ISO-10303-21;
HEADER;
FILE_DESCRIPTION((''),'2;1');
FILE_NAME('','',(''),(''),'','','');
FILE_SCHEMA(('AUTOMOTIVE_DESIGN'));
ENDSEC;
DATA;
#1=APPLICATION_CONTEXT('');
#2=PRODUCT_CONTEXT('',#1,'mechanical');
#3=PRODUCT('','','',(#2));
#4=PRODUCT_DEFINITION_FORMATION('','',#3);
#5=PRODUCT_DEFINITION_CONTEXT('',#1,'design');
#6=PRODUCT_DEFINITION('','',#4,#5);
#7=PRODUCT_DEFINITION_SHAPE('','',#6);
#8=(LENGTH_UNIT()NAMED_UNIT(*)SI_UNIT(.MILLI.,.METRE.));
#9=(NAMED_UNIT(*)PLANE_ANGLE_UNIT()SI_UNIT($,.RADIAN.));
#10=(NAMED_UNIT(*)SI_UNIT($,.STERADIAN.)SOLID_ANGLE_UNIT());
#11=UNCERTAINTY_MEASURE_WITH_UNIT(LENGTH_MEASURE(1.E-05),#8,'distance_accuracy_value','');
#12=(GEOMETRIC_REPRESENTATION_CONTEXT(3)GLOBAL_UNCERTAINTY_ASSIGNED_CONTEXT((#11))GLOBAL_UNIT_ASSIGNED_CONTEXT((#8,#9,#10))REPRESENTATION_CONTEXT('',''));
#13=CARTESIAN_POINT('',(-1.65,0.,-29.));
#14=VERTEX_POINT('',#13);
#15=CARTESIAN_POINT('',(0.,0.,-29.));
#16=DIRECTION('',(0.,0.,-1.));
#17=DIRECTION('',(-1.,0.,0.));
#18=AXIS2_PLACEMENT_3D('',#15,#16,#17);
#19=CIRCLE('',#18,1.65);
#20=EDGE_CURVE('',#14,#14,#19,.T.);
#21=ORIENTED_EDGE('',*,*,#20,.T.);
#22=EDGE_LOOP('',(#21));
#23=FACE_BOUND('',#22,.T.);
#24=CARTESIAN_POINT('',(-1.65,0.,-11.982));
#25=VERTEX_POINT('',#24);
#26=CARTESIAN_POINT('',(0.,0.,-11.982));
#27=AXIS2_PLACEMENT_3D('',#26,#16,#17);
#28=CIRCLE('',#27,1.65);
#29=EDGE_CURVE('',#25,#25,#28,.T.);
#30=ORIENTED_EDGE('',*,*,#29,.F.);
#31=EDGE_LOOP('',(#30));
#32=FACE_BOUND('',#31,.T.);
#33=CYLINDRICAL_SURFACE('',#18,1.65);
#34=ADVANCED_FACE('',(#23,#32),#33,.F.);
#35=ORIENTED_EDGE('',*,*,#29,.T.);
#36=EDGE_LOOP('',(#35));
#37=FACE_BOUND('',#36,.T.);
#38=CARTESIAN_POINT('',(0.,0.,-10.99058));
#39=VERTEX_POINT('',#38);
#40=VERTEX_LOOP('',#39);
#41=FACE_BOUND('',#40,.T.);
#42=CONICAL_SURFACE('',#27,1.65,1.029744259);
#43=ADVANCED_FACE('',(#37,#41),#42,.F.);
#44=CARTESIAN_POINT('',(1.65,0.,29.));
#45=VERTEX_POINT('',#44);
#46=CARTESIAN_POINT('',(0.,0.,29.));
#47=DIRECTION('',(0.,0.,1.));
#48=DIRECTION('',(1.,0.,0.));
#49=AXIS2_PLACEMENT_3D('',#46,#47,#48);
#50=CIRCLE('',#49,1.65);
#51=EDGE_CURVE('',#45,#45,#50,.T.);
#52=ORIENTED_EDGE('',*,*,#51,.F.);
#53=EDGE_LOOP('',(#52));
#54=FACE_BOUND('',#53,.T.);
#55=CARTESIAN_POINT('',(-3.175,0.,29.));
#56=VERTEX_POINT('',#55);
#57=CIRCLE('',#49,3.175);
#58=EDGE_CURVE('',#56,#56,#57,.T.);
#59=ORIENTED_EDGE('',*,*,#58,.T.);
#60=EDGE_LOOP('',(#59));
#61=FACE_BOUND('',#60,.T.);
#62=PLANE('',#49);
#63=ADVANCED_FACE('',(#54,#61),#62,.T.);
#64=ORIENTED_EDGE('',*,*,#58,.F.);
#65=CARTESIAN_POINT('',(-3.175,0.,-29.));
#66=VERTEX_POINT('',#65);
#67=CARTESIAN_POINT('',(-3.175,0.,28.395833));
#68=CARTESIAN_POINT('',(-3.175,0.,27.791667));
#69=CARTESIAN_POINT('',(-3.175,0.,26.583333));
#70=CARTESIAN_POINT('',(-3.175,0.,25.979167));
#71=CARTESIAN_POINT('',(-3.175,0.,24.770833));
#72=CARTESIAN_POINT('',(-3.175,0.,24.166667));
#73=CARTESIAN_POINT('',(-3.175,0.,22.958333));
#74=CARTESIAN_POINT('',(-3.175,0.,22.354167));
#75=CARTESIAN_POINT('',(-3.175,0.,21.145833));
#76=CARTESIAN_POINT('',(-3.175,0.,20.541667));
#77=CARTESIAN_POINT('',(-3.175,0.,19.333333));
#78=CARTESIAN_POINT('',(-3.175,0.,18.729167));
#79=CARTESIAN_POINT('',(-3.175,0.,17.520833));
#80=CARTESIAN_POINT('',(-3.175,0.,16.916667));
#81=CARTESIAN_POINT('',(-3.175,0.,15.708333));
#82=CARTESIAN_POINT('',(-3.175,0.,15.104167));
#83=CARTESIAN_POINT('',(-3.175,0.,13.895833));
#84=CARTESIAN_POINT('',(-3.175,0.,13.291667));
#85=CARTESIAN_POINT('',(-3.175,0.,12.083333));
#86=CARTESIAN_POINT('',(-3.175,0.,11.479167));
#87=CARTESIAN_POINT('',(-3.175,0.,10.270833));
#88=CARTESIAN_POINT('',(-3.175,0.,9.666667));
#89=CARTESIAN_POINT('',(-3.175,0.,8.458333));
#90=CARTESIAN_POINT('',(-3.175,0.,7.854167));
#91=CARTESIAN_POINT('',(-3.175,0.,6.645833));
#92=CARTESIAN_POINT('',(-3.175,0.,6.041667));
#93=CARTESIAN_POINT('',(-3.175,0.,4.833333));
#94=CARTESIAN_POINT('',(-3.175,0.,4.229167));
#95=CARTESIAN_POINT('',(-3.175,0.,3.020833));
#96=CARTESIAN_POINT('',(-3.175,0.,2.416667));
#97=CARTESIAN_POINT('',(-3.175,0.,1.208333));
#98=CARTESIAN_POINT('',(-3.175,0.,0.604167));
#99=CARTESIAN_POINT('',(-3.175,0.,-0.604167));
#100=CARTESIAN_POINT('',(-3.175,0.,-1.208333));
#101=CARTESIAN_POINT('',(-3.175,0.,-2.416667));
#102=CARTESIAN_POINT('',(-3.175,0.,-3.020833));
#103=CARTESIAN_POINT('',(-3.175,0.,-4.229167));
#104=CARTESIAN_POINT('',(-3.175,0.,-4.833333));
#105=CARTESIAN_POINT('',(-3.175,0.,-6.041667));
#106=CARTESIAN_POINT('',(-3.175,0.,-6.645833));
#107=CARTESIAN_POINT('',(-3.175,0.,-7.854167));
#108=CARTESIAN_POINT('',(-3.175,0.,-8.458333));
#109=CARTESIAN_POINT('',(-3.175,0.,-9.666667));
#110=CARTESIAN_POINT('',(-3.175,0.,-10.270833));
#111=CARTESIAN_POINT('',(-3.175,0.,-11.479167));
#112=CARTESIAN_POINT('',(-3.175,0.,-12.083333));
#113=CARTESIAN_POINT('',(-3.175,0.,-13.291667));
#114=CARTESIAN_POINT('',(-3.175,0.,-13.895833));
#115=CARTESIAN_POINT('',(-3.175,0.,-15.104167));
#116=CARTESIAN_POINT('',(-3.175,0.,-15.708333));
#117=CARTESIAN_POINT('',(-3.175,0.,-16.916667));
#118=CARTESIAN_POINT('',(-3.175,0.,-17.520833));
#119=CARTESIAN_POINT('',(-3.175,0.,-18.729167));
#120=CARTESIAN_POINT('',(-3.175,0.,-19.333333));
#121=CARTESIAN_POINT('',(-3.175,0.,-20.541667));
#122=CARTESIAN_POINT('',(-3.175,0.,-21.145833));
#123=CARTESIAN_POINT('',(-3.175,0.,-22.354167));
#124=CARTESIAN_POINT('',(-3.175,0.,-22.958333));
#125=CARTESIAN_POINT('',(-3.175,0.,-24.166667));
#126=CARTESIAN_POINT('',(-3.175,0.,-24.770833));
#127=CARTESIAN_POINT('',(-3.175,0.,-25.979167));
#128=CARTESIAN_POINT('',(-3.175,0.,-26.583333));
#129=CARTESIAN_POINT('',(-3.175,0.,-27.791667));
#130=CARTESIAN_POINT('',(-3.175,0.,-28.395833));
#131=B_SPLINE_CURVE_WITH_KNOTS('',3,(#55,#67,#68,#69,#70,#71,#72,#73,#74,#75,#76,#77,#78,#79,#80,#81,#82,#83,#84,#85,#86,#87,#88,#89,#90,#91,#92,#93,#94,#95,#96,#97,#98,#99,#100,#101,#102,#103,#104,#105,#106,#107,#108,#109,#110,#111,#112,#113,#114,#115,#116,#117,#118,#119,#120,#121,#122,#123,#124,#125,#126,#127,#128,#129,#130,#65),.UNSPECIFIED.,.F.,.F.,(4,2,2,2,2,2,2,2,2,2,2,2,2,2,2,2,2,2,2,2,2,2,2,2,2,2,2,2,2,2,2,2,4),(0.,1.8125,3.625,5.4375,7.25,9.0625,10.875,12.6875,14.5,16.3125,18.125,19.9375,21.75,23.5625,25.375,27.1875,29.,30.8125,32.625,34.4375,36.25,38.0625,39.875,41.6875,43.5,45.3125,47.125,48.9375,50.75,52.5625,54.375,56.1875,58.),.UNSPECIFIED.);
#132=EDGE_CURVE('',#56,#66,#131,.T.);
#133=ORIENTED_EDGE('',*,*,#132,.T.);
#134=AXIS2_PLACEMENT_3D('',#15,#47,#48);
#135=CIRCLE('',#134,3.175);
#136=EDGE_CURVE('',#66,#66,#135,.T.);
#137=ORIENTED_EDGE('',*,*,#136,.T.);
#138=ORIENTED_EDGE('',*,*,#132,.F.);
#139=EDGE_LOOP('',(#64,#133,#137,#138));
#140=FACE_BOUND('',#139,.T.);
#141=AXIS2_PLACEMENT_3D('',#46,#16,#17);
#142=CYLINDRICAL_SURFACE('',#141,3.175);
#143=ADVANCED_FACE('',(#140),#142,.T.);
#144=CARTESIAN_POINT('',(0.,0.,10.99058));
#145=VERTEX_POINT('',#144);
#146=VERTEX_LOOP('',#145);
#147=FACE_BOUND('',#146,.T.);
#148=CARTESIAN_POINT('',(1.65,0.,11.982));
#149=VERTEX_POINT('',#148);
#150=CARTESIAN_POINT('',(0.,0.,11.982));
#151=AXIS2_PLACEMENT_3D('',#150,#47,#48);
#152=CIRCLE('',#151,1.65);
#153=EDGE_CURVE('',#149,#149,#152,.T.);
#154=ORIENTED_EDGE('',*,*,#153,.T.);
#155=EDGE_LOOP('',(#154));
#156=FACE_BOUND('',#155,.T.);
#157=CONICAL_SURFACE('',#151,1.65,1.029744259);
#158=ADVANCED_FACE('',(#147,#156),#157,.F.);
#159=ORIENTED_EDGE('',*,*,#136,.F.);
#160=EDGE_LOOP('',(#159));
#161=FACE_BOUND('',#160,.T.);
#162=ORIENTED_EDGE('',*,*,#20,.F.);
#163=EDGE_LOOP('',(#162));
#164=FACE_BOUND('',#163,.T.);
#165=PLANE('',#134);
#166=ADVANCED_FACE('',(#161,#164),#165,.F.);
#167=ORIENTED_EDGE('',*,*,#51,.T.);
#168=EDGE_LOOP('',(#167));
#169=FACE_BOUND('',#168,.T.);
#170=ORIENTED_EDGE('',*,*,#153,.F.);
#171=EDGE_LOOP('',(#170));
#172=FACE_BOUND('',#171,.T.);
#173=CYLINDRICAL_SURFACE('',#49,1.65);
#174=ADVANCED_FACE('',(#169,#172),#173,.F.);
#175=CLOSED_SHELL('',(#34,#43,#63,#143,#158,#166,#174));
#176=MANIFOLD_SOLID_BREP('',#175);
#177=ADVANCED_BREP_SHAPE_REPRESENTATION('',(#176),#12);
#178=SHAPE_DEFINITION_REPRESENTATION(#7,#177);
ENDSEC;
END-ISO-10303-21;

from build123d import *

# Parameters (mm, degrees)
SKETCH1_R           = 3.175
BOSS_EXTRUDE1_DEPTH = 29


with BuildPart() as part:
    # Sketch1 → Boss-Extrude1 (new, symmetric)
    with BuildSketch(Plane.XY):
        with Locations(Location((0, 0, 0), (0, 0, 180))):
            Circle(SKETCH1_R)
    extrude(amount=BOSS_EXTRUDE1_DEPTH, both=True)

    # Sketch3 → M4x0.7 Tapped Hole1 (revolve, cut)
    with BuildSketch(Plane(origin=(0, 0, 29), x_dir=(0, -1, 0), z_dir=(1, 0, 0))):
        Polygon((0, 0), (0, 18.009420021), (1.65, 17.018), (1.65, 0), align=None)
    m4x0_7_tapped_hole1 = revolve(axis=Axis((0, 0, 35.35), (0, 0, -1)), mode=Mode.SUBTRACT)

    # Mirror1: M4x0.7 Tapped Hole1 across plane
    add(m4x0_7_tapped_hole1.mirror(Plane.XY), mode=Mode.SUBTRACT)


solid = part.part
